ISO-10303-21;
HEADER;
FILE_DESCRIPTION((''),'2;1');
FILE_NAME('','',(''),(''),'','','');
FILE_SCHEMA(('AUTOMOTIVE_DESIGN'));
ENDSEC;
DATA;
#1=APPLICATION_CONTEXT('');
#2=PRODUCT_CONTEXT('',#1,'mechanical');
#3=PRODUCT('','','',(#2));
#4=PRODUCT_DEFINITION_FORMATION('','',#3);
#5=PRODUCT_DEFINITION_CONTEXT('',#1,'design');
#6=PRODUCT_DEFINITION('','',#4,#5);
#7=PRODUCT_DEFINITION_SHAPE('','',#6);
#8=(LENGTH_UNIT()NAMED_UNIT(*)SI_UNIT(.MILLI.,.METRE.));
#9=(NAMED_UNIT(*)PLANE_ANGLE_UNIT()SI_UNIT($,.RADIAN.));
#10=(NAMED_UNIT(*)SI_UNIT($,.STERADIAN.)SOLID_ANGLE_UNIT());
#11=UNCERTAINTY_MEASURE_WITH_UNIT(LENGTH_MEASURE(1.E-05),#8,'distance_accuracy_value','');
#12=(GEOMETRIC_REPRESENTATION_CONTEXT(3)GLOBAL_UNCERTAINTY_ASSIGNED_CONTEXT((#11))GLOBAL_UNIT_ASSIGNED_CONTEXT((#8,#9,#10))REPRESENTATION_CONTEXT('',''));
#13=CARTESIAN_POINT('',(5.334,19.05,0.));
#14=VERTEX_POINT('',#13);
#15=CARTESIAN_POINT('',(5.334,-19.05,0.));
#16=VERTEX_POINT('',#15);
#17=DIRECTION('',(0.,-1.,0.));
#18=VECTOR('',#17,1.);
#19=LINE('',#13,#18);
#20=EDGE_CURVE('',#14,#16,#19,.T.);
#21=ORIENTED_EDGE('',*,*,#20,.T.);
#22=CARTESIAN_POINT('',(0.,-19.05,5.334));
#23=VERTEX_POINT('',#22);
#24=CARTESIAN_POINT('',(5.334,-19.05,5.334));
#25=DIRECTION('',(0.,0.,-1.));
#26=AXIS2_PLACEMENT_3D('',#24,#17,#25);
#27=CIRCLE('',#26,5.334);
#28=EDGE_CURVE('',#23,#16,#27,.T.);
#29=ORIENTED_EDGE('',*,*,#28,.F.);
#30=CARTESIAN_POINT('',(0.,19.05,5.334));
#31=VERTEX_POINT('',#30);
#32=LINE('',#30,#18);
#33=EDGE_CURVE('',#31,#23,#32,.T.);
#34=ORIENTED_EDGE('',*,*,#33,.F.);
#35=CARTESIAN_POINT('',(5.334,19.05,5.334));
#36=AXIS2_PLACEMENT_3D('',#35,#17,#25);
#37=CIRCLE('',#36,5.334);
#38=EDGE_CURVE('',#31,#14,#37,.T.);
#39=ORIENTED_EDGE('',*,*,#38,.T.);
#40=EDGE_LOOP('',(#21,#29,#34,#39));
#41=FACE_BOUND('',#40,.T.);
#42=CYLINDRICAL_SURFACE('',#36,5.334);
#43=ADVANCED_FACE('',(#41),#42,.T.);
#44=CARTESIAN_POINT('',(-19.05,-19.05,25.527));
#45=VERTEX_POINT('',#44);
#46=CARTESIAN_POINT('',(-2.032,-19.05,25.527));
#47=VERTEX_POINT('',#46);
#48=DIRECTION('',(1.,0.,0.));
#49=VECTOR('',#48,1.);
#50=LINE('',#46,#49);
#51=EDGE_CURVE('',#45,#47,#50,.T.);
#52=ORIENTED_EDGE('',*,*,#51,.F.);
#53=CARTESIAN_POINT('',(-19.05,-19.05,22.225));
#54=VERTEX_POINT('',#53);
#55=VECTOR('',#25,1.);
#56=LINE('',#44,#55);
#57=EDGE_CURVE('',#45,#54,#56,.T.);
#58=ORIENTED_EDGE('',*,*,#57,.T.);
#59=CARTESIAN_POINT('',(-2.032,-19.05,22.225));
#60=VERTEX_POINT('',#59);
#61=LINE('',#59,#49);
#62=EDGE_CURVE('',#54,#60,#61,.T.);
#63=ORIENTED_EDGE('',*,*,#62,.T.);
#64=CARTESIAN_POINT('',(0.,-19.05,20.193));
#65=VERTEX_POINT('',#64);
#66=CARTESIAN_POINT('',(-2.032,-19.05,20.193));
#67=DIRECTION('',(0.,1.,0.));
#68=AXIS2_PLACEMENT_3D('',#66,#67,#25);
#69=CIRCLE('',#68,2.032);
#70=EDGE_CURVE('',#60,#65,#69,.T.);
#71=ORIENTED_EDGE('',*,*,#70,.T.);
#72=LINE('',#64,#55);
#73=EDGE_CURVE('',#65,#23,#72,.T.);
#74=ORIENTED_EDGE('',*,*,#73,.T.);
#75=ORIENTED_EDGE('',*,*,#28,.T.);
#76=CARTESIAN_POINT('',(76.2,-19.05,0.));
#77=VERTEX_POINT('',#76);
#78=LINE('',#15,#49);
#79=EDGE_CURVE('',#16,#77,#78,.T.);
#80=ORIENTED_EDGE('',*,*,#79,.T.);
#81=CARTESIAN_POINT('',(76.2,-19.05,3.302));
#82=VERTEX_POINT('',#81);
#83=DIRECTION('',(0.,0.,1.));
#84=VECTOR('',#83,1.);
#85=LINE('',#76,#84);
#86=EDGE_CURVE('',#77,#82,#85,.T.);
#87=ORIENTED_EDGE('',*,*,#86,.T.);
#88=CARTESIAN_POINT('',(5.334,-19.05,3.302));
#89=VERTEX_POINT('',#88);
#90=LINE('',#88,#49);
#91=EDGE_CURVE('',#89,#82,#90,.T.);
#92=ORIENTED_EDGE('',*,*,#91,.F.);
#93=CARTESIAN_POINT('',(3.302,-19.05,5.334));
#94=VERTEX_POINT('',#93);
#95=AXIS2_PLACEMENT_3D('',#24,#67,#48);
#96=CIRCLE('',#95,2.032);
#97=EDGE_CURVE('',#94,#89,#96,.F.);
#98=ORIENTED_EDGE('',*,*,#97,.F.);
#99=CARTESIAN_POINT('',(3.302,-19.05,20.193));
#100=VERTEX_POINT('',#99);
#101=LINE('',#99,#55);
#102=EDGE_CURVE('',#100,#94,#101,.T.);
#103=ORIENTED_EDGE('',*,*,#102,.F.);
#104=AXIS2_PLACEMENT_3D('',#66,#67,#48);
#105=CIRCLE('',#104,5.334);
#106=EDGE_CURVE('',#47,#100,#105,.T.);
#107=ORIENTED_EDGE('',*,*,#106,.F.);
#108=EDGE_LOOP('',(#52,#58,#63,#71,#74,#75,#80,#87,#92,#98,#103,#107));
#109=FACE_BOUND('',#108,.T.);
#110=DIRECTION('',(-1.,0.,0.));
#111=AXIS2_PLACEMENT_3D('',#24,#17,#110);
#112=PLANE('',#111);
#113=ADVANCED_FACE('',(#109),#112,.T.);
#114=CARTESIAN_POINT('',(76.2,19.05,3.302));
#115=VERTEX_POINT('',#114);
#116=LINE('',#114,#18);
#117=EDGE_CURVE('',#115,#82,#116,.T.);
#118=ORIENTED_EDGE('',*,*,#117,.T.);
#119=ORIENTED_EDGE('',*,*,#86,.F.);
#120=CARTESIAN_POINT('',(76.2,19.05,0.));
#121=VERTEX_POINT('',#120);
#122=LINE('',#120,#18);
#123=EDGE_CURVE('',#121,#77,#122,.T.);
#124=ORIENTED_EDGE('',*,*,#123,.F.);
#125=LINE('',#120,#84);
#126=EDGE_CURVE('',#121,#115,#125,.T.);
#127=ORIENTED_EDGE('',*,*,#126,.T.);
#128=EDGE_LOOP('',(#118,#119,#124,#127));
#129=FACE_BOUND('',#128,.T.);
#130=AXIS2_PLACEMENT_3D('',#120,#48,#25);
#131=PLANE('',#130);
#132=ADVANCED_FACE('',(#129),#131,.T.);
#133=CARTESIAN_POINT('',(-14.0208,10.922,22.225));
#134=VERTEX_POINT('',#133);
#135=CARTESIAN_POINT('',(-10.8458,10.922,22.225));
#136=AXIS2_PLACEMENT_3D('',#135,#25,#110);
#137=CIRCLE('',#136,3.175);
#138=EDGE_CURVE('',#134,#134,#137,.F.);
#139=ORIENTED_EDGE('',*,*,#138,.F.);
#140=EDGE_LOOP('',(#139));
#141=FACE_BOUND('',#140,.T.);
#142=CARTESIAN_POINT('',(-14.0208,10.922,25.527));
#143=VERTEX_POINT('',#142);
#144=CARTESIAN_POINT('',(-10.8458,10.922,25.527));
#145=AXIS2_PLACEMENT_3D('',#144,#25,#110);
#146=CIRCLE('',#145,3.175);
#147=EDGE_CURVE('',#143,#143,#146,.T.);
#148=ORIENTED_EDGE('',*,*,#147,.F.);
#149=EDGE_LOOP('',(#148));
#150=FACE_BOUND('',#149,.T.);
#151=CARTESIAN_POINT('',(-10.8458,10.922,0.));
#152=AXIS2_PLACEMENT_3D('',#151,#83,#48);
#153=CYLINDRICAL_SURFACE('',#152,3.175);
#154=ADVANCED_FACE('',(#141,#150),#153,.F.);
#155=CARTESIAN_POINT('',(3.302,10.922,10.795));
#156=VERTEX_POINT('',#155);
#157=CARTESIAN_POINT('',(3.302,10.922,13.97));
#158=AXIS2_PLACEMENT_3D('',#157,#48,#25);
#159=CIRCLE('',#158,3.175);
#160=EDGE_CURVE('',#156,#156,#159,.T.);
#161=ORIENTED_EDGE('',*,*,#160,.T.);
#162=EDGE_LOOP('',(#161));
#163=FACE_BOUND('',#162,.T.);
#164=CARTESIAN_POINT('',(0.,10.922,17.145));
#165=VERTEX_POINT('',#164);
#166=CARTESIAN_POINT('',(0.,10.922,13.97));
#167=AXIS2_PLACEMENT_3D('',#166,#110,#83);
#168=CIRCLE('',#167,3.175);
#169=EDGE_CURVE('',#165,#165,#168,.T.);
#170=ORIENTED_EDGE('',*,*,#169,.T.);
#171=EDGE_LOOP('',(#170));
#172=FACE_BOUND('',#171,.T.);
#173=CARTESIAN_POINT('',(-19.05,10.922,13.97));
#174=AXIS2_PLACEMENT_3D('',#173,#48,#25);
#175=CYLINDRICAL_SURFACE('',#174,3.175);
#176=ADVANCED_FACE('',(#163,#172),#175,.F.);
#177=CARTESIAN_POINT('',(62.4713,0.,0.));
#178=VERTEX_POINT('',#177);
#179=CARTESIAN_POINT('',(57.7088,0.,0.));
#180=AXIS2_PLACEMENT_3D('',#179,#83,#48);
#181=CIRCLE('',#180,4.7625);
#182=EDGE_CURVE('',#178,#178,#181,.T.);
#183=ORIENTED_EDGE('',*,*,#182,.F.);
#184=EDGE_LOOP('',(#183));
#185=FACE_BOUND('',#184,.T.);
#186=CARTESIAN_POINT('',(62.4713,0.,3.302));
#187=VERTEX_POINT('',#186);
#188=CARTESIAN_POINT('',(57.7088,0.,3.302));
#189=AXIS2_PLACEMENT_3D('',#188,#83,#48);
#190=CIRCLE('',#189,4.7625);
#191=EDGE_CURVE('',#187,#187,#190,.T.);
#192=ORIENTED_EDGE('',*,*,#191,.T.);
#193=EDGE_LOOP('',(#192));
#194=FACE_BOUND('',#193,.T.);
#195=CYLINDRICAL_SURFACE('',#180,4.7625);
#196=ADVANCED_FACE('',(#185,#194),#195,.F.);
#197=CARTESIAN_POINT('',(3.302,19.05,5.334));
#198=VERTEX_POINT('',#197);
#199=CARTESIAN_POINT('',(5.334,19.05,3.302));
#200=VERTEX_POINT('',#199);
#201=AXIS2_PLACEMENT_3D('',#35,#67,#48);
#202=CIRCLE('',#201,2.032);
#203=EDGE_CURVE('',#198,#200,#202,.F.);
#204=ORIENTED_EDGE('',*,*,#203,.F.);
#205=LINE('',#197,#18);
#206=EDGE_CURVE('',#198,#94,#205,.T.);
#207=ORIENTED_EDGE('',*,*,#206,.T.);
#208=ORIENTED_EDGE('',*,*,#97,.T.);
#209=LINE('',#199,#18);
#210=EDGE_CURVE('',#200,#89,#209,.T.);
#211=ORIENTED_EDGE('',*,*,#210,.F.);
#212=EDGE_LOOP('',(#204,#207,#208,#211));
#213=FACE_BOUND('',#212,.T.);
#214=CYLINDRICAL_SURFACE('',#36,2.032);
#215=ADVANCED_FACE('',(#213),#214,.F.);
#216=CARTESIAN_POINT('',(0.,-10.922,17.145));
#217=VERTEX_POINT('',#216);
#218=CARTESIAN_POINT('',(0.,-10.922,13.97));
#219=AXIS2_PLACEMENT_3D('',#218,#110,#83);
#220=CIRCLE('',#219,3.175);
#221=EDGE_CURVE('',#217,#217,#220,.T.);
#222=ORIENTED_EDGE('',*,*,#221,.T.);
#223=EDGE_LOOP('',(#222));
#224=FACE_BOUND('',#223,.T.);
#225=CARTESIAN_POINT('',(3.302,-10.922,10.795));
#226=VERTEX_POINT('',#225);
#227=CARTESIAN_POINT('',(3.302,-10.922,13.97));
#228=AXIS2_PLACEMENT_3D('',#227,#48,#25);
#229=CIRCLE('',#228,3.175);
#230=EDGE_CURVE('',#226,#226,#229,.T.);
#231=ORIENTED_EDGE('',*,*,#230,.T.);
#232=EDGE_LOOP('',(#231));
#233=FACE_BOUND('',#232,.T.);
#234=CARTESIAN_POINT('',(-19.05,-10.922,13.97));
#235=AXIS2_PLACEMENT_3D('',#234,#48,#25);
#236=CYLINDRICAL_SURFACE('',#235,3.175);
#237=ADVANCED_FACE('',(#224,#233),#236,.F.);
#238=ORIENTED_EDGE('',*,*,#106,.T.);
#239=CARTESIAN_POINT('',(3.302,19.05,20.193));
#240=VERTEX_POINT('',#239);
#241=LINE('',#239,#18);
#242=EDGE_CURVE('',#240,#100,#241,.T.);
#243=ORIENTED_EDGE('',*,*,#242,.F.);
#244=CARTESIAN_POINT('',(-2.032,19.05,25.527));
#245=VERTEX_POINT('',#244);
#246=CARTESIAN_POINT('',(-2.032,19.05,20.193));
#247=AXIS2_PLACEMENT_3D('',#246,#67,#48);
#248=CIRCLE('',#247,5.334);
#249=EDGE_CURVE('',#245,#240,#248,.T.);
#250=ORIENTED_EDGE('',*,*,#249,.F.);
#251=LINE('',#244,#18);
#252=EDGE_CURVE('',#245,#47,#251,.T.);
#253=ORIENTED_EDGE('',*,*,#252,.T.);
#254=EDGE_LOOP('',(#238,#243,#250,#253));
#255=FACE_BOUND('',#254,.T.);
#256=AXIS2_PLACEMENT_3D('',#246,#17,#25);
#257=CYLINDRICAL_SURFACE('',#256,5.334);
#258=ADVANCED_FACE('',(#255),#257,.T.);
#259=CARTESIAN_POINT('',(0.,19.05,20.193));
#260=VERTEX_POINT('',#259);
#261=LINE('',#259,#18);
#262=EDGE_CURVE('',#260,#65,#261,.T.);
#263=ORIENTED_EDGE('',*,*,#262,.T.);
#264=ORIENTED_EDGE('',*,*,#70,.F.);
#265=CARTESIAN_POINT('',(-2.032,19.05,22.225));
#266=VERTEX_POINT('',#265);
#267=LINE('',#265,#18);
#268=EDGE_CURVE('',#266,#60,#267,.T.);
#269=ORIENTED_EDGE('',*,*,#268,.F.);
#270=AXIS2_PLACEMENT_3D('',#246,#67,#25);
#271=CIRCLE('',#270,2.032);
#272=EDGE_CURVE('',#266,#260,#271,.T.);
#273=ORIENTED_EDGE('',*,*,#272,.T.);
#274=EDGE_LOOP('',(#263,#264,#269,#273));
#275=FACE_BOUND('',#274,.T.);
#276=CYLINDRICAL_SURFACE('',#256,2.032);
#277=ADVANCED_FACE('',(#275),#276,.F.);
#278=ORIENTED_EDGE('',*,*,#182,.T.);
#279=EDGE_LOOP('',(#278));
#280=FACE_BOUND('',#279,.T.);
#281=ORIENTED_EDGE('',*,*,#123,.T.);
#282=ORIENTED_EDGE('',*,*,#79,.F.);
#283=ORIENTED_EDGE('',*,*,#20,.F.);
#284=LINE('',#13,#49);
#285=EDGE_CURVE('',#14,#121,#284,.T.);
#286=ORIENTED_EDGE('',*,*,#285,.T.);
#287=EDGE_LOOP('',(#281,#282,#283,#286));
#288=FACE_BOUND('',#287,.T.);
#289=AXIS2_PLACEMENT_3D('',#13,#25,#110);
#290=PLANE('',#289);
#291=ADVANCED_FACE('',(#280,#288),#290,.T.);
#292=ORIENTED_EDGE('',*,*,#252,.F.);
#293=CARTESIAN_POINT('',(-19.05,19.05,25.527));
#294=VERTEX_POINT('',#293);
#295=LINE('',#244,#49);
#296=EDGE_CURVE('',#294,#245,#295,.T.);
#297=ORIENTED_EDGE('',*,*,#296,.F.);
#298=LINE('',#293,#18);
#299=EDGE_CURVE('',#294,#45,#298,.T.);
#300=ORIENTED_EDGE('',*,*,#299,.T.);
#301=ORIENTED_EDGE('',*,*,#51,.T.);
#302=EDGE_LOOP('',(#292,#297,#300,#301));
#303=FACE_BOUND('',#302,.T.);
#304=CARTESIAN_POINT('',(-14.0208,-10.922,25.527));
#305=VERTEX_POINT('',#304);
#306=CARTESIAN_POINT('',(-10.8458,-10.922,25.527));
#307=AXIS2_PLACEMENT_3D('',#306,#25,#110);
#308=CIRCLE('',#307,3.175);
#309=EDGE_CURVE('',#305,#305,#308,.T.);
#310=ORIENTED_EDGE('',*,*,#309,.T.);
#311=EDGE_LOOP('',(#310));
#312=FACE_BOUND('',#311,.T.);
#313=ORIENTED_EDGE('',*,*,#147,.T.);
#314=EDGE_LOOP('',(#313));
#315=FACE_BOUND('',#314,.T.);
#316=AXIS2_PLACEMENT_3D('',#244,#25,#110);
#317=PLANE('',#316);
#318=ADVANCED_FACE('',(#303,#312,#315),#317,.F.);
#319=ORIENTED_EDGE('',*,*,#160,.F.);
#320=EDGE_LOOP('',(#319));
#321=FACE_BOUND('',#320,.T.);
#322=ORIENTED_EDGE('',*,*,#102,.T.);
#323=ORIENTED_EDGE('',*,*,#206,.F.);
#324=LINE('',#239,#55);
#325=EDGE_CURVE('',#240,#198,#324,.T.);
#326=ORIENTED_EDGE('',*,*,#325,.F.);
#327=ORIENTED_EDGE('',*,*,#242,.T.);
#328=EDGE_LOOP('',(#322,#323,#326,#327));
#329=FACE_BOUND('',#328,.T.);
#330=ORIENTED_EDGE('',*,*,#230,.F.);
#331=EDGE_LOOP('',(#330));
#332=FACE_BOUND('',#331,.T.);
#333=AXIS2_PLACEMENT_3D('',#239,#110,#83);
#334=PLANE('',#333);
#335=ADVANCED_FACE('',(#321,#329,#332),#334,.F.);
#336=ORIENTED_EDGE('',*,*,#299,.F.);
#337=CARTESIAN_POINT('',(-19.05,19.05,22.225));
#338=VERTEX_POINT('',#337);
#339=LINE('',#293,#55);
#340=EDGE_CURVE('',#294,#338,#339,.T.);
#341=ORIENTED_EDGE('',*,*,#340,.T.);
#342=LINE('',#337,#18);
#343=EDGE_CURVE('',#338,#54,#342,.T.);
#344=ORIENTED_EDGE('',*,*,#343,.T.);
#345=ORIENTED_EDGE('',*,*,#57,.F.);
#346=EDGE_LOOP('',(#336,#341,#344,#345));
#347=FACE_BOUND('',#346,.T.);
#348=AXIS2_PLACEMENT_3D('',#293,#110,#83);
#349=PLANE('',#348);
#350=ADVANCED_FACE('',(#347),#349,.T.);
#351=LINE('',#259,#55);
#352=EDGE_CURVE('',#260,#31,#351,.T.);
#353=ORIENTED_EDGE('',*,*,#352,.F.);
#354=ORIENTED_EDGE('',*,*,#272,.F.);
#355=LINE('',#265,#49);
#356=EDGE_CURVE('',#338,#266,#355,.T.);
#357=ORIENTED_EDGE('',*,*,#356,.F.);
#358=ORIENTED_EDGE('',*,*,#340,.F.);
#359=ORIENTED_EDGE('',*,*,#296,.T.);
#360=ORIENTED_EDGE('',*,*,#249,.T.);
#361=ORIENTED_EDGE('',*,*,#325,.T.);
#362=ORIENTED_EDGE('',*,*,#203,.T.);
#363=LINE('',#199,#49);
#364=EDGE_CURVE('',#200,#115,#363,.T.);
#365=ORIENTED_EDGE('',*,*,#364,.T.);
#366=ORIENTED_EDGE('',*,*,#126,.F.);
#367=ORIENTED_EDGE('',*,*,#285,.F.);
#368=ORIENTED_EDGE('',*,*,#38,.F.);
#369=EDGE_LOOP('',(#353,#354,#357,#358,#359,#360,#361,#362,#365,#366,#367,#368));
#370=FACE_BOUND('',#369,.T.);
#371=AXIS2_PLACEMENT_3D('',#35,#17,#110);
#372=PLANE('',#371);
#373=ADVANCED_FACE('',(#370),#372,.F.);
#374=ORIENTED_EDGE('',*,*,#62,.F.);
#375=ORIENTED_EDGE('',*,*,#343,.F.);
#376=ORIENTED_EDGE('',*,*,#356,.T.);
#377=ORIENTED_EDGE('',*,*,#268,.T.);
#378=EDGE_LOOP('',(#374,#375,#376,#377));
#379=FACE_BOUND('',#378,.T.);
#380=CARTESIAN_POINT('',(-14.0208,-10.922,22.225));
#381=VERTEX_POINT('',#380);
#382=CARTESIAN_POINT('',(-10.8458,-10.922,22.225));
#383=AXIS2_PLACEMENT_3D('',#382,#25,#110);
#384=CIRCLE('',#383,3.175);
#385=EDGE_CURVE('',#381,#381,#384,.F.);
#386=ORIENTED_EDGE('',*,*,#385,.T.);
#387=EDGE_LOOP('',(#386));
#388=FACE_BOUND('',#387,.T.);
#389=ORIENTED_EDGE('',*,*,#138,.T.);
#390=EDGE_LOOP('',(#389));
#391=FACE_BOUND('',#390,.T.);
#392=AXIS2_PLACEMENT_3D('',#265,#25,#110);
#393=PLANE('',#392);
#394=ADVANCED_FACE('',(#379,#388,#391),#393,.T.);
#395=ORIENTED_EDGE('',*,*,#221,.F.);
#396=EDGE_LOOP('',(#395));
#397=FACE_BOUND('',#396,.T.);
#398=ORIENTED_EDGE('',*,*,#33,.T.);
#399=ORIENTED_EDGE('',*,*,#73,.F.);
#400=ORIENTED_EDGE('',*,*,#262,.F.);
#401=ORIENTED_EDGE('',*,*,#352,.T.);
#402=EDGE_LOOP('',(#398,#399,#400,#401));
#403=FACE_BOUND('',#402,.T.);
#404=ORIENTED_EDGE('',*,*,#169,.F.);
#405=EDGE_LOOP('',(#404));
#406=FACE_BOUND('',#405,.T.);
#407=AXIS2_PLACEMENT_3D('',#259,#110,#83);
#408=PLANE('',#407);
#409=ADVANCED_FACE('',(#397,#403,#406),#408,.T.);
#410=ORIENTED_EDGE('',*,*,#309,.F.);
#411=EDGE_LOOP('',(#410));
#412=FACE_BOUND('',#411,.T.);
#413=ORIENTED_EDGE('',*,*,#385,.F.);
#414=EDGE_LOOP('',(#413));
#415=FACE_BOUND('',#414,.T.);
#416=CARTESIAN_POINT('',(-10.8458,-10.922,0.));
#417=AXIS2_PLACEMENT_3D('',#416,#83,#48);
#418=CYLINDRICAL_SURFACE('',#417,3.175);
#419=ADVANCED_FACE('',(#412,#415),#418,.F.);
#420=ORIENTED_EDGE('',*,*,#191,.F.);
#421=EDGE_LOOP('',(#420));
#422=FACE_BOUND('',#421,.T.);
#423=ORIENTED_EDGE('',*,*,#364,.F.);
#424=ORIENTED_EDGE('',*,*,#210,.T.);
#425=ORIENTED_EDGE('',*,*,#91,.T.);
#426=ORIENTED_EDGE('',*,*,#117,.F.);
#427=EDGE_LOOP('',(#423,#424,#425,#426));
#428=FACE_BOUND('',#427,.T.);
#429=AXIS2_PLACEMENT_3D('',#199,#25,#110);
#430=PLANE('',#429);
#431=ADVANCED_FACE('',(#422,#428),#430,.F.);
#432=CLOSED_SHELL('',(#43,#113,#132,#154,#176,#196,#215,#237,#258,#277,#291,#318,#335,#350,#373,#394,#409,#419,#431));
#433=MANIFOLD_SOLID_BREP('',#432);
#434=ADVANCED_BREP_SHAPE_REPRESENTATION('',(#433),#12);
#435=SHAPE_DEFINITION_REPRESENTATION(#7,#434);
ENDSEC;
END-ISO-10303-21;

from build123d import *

# Parameters (mm, degrees)
EXTRUDE_THIN1_DEPTH = 19.05
SKETCH4_R           = 3.175
EXTRUDE3_DEPTH      = 104.450523701
SKETCH9_R           = 3.175
CUT_EXTRUDE3_DEPTH  = 80.552804055
SKETCH8_R           = 4.7625
CUT_EXTRUDE2_DEPTH  = 82.628996839


with BuildPart() as part:
    # Sketch1 → Extrude-Thin1 (new, symmetric)
    with BuildSketch(Plane(origin=(0, 0, 0), x_dir=(1, 0, 0), z_dir=(0, 1, 0))):
        with BuildLine():
            Line((-19.05, -22.225), (-2.032, -22.225))
            ThreePointArc((-2.032, -22.225), (-0.595159021, -21.629840979), (0, -20.193))
            Line((0, -20.193), (0, -5.334))
            ThreePointArc((0, -5.334), (1.562292429, -1.562292429), (5.334, 0))
            Line((5.334, 0), (76.2, 0))
            Line((76.2, 0), (76.2, -3.302))
            Line((76.2, -3.302), (5.334, -3.302))
            ThreePointArc((5.334, -3.302), (3.897159021, -3.897159021), (3.302, -5.334))
            Line((3.302, -5.334), (3.302, -20.193))
            ThreePointArc((3.302, -20.193), (1.739707571, -23.964707571), (-2.032, -25.527))
            Line((-2.032, -25.527), (-19.05, -25.527))
            Line((-19.05, -25.527), (-19.05, -22.225))
        make_face()
    extrude(amount=EXTRUDE_THIN1_DEPTH, both=True)

    # Sketch4 → Extrude3 (cut, through all)
    with BuildSketch(Plane(origin=(-22.225, 0, 25.527), x_dir=(-1, 0, 0), z_dir=(0, 0, -1))):
        with Locations((-11.3792, 10.922)):
            Circle(SKETCH4_R)
        with Locations((-11.3792, -10.922)):
            Circle(SKETCH4_R)
    extrude(amount=EXTRUDE3_DEPTH, mode=Mode.SUBTRACT)

    # Sketch9 → Cut-Extrude3 (cut, through all)
    with BuildSketch(Plane(origin=(3.302, 0, 0), x_dir=(0, 0, -1), z_dir=(1, 0, 0))):
        with Locations((-13.97, 10.922)):
            Circle(SKETCH9_R)
        with Locations((-13.97, -10.922)):
            Circle(SKETCH9_R)
    extrude(amount=-CUT_EXTRUDE3_DEPTH, mode=Mode.SUBTRACT)

    # Sketch8 → Cut-Extrude2 (cut, through all)
    with BuildSketch(Plane.XY.offset(3.302)):
        with Locations((57.7088, 0)):
            Circle(SKETCH8_R)
        with Locations((-12.1412, 0)):
            Circle(SKETCH8_R)
    extrude(amount=-CUT_EXTRUDE2_DEPTH, mode=Mode.SUBTRACT)


solid = part.part
